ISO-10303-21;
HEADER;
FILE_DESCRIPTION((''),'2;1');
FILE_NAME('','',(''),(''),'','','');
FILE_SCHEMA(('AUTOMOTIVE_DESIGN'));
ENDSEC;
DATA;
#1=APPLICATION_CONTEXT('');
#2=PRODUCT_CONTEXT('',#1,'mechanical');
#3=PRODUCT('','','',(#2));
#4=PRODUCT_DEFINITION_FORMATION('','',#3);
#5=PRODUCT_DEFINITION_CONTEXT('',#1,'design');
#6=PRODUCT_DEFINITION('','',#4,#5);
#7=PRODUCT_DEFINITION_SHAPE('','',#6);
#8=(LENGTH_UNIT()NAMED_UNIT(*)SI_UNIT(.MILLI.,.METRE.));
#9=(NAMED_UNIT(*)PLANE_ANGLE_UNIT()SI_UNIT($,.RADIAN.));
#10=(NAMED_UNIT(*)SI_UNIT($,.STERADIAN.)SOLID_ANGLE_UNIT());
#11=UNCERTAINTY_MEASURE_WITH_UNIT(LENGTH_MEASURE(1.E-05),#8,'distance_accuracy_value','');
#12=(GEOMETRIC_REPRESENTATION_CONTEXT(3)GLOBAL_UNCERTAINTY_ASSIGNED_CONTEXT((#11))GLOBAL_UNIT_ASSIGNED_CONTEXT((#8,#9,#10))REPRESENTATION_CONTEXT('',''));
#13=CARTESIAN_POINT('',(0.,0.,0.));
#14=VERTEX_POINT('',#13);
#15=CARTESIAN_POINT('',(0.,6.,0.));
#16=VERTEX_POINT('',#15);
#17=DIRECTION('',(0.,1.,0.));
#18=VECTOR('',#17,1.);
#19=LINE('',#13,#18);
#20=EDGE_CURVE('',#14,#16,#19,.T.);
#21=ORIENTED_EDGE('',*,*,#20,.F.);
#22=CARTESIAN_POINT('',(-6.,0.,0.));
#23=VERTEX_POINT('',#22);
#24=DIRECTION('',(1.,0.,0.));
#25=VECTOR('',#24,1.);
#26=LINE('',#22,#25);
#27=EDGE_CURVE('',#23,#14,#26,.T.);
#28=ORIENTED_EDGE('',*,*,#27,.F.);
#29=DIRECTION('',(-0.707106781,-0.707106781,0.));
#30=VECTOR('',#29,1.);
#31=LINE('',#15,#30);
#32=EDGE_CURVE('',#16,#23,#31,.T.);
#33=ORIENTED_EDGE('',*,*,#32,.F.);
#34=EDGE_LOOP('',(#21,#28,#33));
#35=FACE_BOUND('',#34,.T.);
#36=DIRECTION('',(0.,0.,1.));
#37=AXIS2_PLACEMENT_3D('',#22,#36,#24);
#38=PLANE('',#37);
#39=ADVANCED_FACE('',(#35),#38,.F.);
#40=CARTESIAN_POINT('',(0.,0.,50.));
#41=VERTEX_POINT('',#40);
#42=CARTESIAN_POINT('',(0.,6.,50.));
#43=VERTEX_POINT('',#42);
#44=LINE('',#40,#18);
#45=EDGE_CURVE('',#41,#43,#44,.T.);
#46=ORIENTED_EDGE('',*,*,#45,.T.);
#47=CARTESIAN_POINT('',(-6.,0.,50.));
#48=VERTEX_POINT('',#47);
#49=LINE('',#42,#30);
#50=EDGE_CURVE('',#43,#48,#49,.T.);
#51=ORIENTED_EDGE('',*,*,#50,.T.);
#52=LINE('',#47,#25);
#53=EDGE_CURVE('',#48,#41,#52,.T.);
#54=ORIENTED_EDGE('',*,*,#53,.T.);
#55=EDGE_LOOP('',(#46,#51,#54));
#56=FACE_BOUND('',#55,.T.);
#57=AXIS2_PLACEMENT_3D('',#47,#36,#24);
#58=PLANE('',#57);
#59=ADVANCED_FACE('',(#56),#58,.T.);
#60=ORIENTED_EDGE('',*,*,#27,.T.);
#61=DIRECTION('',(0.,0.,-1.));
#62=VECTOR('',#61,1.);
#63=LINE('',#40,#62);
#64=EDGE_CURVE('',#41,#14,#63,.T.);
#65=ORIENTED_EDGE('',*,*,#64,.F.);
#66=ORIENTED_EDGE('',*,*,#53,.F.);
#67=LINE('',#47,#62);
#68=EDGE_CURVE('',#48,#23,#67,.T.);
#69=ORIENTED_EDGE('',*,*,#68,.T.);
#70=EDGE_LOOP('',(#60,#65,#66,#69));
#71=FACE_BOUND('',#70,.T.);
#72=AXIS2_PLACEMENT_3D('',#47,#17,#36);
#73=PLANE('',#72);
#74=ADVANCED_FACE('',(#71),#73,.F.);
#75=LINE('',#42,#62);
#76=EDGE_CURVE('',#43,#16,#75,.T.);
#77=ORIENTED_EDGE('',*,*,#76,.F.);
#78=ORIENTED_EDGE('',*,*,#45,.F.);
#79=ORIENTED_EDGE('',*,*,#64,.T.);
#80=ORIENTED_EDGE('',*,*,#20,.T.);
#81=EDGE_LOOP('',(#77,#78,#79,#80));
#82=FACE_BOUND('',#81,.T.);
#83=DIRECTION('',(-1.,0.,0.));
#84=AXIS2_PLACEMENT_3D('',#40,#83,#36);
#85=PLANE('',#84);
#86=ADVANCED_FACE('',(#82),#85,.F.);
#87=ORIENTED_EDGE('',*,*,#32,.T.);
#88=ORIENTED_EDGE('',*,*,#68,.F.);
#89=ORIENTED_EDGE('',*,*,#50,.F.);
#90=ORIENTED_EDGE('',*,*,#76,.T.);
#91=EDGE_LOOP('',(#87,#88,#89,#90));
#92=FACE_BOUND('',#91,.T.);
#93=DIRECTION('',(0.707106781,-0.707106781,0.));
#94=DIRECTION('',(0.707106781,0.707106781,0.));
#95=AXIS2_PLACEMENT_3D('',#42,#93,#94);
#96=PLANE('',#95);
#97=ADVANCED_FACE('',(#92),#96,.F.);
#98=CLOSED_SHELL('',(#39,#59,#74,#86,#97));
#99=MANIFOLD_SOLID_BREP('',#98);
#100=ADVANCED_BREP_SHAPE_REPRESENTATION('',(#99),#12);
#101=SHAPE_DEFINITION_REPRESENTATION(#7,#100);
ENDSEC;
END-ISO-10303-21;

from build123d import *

# Parameters (mm, degrees)
EXTRUDE_1_DEPTH = 50


with BuildPart() as part:
    # Эскиз1 → Вытянуть1 (new body)
    with BuildSketch(Plane.XY):
        Polygon((-6, 0), (0, 0), (0, 6), align=None)
    extrude(amount=EXTRUDE_1_DEPTH)


solid = part.part
